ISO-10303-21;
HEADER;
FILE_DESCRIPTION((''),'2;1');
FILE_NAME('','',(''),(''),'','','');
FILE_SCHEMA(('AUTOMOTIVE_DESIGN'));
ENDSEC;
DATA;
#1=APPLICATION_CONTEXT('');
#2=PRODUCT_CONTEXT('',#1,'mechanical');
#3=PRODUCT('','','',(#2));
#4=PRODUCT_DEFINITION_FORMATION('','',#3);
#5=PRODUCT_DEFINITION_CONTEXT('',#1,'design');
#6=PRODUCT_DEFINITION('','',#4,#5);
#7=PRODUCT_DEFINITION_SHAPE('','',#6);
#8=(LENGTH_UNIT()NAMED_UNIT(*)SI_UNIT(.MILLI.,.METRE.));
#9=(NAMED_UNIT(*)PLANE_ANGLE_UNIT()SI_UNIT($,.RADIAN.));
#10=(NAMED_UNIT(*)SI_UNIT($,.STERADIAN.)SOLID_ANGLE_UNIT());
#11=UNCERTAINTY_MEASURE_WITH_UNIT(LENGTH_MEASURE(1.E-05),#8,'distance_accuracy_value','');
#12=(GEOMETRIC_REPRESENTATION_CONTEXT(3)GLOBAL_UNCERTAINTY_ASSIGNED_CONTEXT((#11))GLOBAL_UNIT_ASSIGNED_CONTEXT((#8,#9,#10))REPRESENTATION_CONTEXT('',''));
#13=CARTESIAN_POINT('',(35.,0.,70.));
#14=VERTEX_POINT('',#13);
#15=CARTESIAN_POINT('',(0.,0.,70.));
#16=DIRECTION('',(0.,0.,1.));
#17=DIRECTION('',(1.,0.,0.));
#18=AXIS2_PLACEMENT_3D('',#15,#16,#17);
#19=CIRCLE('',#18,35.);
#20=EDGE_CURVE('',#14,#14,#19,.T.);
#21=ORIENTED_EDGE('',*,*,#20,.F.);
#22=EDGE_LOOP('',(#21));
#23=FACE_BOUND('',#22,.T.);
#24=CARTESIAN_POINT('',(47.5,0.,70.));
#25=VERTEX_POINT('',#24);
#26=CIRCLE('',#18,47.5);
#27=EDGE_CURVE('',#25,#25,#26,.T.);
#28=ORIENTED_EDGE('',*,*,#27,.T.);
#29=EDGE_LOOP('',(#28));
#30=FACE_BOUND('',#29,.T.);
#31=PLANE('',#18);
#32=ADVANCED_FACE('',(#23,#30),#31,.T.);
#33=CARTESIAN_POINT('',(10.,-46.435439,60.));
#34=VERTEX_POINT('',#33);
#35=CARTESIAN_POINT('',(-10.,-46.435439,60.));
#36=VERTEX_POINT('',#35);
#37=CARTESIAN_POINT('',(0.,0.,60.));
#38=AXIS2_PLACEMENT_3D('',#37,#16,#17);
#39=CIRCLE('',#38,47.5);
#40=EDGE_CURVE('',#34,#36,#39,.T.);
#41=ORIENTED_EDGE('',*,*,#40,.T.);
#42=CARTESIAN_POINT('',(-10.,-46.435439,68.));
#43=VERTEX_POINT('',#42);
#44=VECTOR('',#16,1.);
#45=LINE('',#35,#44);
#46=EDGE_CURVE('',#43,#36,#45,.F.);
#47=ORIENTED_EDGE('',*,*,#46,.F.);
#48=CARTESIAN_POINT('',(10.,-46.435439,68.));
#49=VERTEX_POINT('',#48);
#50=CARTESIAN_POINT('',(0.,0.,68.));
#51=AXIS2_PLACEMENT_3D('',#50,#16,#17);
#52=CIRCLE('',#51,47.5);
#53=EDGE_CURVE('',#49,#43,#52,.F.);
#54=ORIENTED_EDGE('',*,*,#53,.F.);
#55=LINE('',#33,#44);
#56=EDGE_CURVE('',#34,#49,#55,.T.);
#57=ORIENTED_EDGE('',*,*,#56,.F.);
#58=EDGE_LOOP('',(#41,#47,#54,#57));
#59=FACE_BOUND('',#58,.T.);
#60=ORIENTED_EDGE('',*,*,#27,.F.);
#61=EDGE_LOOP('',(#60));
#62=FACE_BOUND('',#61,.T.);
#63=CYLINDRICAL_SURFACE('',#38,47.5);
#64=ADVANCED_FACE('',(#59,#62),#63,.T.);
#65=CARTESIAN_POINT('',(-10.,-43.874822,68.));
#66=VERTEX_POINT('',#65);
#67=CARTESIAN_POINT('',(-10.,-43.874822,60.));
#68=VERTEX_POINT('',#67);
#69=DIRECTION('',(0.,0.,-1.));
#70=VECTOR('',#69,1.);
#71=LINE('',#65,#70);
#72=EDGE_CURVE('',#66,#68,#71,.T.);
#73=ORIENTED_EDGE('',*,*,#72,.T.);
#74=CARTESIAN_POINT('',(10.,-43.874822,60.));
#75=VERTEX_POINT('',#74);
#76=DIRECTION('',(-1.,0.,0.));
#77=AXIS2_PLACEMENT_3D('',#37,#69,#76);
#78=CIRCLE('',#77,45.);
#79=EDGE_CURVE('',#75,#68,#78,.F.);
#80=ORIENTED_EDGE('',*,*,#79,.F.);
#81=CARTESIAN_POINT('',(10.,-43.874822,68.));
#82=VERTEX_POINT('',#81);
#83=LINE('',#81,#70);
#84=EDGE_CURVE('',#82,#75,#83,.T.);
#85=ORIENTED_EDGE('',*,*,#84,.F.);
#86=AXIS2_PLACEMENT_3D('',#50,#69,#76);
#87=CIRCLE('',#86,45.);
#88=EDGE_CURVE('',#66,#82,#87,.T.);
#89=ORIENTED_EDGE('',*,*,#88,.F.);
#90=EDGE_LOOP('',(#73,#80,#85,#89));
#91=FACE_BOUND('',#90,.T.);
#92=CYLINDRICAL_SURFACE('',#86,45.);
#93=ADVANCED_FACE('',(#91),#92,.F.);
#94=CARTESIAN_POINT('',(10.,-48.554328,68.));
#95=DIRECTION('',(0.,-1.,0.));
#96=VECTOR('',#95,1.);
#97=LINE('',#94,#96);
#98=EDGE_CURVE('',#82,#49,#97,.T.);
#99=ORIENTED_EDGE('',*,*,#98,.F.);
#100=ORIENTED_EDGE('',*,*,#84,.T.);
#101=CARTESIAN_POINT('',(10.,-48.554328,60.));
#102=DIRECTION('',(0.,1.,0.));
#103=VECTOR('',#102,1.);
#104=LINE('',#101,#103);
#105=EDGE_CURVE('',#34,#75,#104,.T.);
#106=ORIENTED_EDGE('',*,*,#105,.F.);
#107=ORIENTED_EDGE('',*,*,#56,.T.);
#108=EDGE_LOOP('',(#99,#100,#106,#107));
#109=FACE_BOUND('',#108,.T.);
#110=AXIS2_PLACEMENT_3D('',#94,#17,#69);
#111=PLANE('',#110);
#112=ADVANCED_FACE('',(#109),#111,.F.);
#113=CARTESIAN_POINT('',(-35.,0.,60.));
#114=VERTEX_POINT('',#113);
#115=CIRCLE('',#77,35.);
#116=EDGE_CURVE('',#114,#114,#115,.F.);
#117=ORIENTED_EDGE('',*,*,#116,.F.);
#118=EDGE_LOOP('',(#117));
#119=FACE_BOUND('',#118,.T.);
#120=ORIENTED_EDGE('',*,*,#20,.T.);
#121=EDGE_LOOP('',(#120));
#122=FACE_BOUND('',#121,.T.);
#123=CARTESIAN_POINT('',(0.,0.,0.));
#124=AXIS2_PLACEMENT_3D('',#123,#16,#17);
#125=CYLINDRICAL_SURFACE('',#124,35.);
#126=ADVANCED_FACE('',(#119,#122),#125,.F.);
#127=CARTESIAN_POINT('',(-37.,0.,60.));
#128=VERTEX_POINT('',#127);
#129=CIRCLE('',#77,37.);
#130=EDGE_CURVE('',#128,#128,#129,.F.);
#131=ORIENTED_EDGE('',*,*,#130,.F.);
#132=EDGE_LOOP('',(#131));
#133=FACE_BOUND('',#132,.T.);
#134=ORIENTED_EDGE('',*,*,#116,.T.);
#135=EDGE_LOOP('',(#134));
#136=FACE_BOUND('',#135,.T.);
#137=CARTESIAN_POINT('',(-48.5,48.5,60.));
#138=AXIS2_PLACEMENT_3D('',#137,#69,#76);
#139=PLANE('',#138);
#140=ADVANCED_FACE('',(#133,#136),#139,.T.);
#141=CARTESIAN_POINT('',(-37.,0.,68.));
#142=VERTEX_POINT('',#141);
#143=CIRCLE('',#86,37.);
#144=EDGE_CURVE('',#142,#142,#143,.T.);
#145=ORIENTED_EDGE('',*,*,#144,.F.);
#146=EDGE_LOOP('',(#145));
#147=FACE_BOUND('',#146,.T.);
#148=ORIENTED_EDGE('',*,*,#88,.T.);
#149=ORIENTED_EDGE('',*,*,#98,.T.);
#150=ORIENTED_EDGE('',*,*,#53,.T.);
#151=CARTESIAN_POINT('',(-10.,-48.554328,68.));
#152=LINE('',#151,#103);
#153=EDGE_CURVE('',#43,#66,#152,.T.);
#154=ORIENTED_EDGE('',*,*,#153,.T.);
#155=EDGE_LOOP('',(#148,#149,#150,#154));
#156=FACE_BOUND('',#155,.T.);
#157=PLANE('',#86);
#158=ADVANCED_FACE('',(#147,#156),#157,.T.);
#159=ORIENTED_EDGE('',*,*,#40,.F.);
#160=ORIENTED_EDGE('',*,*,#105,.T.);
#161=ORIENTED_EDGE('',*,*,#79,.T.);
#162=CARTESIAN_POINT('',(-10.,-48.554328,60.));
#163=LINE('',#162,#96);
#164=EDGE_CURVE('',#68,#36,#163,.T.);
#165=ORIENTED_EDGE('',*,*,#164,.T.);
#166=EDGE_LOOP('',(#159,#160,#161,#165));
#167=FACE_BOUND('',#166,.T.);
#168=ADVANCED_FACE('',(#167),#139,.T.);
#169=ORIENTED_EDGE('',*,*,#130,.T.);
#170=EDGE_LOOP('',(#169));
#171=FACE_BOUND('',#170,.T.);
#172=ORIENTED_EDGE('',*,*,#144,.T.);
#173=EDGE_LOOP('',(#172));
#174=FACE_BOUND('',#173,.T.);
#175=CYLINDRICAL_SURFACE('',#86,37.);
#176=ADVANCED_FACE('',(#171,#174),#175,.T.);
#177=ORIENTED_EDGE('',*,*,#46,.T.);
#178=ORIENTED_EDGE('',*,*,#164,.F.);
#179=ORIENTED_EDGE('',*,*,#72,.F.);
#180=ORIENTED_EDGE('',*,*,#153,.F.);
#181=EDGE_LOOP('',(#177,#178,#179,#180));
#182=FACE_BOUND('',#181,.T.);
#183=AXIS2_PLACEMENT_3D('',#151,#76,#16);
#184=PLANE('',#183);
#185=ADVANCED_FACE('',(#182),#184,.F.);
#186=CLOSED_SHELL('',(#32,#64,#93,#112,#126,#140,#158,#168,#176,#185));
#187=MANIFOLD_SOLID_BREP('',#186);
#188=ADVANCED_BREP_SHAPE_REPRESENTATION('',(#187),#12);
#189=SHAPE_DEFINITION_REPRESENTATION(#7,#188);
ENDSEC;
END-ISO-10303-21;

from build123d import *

# Parameters (mm, degrees)
ESQUISSE1_R                  = 48.5
BOSS_EXTRU_1_DEPTH           = 70
ESQUISSE2_R                  = 48.5
ESQUISSE2_R_2                = 47.5
ENL_V_MAT_EXTRU_1_DEPTH      = 10
ESQUISSE3_R                  = 35
ENL_V_MAT_EXTRU_2_DEPTH      = 71
ESQUISSE5_R                  = 45
ESQUISSE5_R_2                = 37
ENL_V_MAT_EXTRU_3_DEPTH      = 68
ESQUISSE6_W                  = 20
ESQUISSE6_H                  = 4.679506057
ENL_V_MAT_EXTRU_5_DEPTH      = 68
BOSS_EXTRU_2_DEPTH           = 10
ESQUISSE9_W                  = 97.082032755
ESQUISSE9_H                  = 83.812700188
ENL_V_MAT_EXTRU_6_DEPTH      = 49.5
ENL_V_MAT_EXTRU_6_DEPTH_BACK = 48.5


with BuildPart() as part:
    # Esquisse1 → Boss.-Extru.1 (new body)
    with BuildSketch(Plane.XY):
        Circle(ESQUISSE1_R)
    extrude(amount=BOSS_EXTRU_1_DEPTH)

    # Esquisse2 → Enlèv. mat.-Extru.1 (cut)
    with BuildSketch(Plane.XY.offset(70)):
        Circle(ESQUISSE2_R)
        Circle(ESQUISSE2_R_2, mode=Mode.SUBTRACT)
    extrude(amount=-ENL_V_MAT_EXTRU_1_DEPTH, mode=Mode.SUBTRACT)

    # Esquisse3 → Enlèv. mat.-Extru.2 (cut, through all)
    with BuildSketch(Plane.XY.offset(70)):
        Circle(ESQUISSE3_R)
    extrude(amount=-ENL_V_MAT_EXTRU_2_DEPTH, mode=Mode.SUBTRACT)

    # Esquisse5 → Enlèv. mat.-Extru.3 (cut)
    with BuildSketch(Plane(origin=(0, 0, 0), x_dir=(-1, 0, 0), z_dir=(0, 0, -1))):
        Circle(ESQUISSE5_R)
        Circle(ESQUISSE5_R_2, mode=Mode.SUBTRACT)
    extrude(amount=-ENL_V_MAT_EXTRU_3_DEPTH, mode=Mode.SUBTRACT)

    # Esquisse6 → Enlèv. mat.-Extru.5 (cut)
    with BuildSketch(Plane(origin=(0, 0, 0), x_dir=(-1, 0, 0), z_dir=(0, 0, -1))):
        with Locations((0, -46.214574966)):
            Rectangle(ESQUISSE6_W, ESQUISSE6_H)
    extrude(amount=-ENL_V_MAT_EXTRU_5_DEPTH, mode=Mode.SUBTRACT)

    # Esquisse8 → Boss.-Extru.2 (add)
    with BuildSketch(Plane(origin=(0, 0, 0), x_dir=(-1, 0, 0), z_dir=(0, 0, -1))):
        with BuildLine():
            ThreePointArc((34.294678888, -34.294678888), (48.5, 0), (34.294678888, 34.294678888))
            Line((34.294678888, 34.294678888), (31.819805153, 31.819805153))
            ThreePointArc((31.819805153, 31.819805153), (45, 0), (31.819805153, -31.819805153))
            Line((31.819805153, -31.819805153), (34.294678888, -34.294678888))
        make_face()
        with BuildLine():
            ThreePointArc((-34.294678888, -34.294678888), (-48.5, 0), (-34.294678888, 34.294678888))
            Line((-34.294678888, 34.294678888), (-31.819805153, 31.819805153))
            ThreePointArc((-31.819805153, 31.819805153), (-45, 0), (-31.819805153, -31.819805153))
            Line((-31.819805153, -31.819805153), (-34.294678888, -34.294678888))
        make_face()
    extrude(amount=BOSS_EXTRU_2_DEPTH)

    # Esquisse9 → Enlèv. mat.-Extru.6 (cut, two sides)
    with BuildSketch(Plane(origin=(0, 0, 0), x_dir=(1, 0, 0), z_dir=(0, 1, 0))) as enl_v_mat_extru_6_sk:
        with Locations((0.041016378, -18.093649906)):
            Rectangle(ESQUISSE9_W, ESQUISSE9_H)
    extrude(amount=ENL_V_MAT_EXTRU_6_DEPTH, mode=Mode.SUBTRACT)
    extrude(enl_v_mat_extru_6_sk.sketch, amount=-ENL_V_MAT_EXTRU_6_DEPTH_BACK, mode=Mode.SUBTRACT)


solid = part.part
